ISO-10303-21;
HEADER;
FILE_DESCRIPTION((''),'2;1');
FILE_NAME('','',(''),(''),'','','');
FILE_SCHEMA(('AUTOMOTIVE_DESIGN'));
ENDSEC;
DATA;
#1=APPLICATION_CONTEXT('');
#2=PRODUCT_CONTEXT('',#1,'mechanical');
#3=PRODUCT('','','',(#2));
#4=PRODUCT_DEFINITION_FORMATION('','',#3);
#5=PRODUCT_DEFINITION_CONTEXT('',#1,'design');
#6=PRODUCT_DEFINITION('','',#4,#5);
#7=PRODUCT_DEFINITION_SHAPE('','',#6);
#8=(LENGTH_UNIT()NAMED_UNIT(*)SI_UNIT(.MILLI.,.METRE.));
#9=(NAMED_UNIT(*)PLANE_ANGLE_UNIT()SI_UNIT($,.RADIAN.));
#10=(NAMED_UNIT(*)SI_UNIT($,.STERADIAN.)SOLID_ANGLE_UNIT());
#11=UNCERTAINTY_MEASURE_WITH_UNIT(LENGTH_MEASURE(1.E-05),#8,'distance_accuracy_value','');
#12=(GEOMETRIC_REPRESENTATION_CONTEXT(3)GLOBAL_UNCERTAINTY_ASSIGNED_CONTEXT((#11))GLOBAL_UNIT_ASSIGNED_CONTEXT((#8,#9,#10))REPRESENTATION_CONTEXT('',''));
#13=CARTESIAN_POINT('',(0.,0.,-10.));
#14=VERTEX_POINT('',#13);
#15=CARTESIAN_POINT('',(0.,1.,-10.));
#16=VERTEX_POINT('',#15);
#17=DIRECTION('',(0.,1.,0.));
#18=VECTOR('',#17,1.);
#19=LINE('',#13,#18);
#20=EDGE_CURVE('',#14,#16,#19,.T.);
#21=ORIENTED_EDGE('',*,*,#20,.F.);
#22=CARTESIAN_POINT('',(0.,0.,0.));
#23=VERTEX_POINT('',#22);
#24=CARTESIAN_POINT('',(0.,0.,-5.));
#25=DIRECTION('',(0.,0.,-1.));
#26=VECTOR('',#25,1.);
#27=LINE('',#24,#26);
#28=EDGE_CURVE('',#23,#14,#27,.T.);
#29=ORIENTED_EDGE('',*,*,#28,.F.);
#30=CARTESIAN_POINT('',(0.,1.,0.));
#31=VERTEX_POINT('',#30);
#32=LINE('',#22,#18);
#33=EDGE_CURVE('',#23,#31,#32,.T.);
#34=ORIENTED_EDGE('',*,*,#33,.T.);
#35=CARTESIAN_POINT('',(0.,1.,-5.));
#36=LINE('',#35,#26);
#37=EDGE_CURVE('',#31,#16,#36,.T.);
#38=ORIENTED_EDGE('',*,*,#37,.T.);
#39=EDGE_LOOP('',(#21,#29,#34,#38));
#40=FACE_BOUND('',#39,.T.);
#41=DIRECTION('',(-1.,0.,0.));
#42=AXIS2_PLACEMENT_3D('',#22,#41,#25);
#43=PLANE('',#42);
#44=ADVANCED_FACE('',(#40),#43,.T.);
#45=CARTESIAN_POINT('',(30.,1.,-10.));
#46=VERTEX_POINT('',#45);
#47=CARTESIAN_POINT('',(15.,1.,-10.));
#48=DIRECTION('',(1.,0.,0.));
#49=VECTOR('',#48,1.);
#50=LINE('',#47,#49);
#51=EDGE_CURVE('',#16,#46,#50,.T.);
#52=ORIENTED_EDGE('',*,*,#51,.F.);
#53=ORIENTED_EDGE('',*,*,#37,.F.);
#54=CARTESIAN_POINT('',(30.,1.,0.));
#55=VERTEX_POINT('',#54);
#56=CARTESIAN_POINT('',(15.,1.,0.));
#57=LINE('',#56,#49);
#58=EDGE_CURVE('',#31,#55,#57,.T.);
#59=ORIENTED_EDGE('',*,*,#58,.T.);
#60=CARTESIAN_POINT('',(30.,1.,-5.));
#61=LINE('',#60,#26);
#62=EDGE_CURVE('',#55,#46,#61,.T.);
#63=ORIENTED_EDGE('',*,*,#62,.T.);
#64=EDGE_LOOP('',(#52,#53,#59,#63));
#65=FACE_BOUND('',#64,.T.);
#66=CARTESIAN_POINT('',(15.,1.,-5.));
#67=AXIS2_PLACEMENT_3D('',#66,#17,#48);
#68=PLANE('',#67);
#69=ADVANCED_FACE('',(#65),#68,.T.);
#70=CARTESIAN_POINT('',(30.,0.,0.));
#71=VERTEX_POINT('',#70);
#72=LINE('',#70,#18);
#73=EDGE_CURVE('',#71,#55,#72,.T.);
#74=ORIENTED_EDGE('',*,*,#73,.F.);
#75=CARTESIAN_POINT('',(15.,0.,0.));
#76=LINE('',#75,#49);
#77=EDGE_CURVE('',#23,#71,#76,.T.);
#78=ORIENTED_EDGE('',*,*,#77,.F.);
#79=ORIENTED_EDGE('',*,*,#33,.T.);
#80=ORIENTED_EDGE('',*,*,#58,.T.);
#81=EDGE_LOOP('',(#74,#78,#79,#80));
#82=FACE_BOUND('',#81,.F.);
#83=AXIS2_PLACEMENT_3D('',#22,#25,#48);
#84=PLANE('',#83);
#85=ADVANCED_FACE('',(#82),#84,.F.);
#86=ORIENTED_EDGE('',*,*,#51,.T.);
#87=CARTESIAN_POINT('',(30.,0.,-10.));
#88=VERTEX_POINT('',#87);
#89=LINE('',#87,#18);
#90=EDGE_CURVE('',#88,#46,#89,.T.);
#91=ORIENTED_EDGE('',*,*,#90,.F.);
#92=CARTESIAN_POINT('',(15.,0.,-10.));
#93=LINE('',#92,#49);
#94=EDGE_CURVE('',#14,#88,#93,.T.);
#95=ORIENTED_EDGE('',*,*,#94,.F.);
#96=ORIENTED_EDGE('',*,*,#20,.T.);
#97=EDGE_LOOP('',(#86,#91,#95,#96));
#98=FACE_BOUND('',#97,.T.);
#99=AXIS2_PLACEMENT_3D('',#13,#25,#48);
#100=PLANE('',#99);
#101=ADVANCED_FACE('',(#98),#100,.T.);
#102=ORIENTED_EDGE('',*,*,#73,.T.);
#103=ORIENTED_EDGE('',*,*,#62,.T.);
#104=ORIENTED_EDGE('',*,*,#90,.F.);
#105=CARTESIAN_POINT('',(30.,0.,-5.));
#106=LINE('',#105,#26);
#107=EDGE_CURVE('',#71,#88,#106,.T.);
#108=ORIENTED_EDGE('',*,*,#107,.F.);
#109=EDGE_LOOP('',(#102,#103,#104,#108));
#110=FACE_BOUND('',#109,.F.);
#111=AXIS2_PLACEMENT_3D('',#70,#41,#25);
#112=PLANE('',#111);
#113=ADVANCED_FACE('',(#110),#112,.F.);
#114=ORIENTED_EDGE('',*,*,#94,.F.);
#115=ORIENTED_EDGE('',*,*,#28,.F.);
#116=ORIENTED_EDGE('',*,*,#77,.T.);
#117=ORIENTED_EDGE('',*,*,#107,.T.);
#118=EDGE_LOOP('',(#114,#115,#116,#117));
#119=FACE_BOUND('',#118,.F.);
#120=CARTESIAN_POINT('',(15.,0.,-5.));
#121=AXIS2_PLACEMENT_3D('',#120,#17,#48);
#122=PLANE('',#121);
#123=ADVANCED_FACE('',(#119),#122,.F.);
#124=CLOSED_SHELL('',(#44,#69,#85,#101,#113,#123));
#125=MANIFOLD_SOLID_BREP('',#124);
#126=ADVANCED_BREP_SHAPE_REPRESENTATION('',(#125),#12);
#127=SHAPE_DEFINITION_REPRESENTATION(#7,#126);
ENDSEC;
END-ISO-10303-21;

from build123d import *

# Parameters (mm, degrees)
SKETCH1_W           = 30
SKETCH1_H           = 10
BOSS_EXTRUDE1_DEPTH = 1


with BuildPart() as part:
    # Sketch1 → Boss-Extrude1 (new body)
    with BuildSketch(Plane(origin=(0, 0, 0), x_dir=(1, 0, 0), z_dir=(0, 1, 0))):
        with Locations((15, 5)):
            Rectangle(SKETCH1_W, SKETCH1_H)
    extrude(amount=BOSS_EXTRUDE1_DEPTH)


solid = part.part
